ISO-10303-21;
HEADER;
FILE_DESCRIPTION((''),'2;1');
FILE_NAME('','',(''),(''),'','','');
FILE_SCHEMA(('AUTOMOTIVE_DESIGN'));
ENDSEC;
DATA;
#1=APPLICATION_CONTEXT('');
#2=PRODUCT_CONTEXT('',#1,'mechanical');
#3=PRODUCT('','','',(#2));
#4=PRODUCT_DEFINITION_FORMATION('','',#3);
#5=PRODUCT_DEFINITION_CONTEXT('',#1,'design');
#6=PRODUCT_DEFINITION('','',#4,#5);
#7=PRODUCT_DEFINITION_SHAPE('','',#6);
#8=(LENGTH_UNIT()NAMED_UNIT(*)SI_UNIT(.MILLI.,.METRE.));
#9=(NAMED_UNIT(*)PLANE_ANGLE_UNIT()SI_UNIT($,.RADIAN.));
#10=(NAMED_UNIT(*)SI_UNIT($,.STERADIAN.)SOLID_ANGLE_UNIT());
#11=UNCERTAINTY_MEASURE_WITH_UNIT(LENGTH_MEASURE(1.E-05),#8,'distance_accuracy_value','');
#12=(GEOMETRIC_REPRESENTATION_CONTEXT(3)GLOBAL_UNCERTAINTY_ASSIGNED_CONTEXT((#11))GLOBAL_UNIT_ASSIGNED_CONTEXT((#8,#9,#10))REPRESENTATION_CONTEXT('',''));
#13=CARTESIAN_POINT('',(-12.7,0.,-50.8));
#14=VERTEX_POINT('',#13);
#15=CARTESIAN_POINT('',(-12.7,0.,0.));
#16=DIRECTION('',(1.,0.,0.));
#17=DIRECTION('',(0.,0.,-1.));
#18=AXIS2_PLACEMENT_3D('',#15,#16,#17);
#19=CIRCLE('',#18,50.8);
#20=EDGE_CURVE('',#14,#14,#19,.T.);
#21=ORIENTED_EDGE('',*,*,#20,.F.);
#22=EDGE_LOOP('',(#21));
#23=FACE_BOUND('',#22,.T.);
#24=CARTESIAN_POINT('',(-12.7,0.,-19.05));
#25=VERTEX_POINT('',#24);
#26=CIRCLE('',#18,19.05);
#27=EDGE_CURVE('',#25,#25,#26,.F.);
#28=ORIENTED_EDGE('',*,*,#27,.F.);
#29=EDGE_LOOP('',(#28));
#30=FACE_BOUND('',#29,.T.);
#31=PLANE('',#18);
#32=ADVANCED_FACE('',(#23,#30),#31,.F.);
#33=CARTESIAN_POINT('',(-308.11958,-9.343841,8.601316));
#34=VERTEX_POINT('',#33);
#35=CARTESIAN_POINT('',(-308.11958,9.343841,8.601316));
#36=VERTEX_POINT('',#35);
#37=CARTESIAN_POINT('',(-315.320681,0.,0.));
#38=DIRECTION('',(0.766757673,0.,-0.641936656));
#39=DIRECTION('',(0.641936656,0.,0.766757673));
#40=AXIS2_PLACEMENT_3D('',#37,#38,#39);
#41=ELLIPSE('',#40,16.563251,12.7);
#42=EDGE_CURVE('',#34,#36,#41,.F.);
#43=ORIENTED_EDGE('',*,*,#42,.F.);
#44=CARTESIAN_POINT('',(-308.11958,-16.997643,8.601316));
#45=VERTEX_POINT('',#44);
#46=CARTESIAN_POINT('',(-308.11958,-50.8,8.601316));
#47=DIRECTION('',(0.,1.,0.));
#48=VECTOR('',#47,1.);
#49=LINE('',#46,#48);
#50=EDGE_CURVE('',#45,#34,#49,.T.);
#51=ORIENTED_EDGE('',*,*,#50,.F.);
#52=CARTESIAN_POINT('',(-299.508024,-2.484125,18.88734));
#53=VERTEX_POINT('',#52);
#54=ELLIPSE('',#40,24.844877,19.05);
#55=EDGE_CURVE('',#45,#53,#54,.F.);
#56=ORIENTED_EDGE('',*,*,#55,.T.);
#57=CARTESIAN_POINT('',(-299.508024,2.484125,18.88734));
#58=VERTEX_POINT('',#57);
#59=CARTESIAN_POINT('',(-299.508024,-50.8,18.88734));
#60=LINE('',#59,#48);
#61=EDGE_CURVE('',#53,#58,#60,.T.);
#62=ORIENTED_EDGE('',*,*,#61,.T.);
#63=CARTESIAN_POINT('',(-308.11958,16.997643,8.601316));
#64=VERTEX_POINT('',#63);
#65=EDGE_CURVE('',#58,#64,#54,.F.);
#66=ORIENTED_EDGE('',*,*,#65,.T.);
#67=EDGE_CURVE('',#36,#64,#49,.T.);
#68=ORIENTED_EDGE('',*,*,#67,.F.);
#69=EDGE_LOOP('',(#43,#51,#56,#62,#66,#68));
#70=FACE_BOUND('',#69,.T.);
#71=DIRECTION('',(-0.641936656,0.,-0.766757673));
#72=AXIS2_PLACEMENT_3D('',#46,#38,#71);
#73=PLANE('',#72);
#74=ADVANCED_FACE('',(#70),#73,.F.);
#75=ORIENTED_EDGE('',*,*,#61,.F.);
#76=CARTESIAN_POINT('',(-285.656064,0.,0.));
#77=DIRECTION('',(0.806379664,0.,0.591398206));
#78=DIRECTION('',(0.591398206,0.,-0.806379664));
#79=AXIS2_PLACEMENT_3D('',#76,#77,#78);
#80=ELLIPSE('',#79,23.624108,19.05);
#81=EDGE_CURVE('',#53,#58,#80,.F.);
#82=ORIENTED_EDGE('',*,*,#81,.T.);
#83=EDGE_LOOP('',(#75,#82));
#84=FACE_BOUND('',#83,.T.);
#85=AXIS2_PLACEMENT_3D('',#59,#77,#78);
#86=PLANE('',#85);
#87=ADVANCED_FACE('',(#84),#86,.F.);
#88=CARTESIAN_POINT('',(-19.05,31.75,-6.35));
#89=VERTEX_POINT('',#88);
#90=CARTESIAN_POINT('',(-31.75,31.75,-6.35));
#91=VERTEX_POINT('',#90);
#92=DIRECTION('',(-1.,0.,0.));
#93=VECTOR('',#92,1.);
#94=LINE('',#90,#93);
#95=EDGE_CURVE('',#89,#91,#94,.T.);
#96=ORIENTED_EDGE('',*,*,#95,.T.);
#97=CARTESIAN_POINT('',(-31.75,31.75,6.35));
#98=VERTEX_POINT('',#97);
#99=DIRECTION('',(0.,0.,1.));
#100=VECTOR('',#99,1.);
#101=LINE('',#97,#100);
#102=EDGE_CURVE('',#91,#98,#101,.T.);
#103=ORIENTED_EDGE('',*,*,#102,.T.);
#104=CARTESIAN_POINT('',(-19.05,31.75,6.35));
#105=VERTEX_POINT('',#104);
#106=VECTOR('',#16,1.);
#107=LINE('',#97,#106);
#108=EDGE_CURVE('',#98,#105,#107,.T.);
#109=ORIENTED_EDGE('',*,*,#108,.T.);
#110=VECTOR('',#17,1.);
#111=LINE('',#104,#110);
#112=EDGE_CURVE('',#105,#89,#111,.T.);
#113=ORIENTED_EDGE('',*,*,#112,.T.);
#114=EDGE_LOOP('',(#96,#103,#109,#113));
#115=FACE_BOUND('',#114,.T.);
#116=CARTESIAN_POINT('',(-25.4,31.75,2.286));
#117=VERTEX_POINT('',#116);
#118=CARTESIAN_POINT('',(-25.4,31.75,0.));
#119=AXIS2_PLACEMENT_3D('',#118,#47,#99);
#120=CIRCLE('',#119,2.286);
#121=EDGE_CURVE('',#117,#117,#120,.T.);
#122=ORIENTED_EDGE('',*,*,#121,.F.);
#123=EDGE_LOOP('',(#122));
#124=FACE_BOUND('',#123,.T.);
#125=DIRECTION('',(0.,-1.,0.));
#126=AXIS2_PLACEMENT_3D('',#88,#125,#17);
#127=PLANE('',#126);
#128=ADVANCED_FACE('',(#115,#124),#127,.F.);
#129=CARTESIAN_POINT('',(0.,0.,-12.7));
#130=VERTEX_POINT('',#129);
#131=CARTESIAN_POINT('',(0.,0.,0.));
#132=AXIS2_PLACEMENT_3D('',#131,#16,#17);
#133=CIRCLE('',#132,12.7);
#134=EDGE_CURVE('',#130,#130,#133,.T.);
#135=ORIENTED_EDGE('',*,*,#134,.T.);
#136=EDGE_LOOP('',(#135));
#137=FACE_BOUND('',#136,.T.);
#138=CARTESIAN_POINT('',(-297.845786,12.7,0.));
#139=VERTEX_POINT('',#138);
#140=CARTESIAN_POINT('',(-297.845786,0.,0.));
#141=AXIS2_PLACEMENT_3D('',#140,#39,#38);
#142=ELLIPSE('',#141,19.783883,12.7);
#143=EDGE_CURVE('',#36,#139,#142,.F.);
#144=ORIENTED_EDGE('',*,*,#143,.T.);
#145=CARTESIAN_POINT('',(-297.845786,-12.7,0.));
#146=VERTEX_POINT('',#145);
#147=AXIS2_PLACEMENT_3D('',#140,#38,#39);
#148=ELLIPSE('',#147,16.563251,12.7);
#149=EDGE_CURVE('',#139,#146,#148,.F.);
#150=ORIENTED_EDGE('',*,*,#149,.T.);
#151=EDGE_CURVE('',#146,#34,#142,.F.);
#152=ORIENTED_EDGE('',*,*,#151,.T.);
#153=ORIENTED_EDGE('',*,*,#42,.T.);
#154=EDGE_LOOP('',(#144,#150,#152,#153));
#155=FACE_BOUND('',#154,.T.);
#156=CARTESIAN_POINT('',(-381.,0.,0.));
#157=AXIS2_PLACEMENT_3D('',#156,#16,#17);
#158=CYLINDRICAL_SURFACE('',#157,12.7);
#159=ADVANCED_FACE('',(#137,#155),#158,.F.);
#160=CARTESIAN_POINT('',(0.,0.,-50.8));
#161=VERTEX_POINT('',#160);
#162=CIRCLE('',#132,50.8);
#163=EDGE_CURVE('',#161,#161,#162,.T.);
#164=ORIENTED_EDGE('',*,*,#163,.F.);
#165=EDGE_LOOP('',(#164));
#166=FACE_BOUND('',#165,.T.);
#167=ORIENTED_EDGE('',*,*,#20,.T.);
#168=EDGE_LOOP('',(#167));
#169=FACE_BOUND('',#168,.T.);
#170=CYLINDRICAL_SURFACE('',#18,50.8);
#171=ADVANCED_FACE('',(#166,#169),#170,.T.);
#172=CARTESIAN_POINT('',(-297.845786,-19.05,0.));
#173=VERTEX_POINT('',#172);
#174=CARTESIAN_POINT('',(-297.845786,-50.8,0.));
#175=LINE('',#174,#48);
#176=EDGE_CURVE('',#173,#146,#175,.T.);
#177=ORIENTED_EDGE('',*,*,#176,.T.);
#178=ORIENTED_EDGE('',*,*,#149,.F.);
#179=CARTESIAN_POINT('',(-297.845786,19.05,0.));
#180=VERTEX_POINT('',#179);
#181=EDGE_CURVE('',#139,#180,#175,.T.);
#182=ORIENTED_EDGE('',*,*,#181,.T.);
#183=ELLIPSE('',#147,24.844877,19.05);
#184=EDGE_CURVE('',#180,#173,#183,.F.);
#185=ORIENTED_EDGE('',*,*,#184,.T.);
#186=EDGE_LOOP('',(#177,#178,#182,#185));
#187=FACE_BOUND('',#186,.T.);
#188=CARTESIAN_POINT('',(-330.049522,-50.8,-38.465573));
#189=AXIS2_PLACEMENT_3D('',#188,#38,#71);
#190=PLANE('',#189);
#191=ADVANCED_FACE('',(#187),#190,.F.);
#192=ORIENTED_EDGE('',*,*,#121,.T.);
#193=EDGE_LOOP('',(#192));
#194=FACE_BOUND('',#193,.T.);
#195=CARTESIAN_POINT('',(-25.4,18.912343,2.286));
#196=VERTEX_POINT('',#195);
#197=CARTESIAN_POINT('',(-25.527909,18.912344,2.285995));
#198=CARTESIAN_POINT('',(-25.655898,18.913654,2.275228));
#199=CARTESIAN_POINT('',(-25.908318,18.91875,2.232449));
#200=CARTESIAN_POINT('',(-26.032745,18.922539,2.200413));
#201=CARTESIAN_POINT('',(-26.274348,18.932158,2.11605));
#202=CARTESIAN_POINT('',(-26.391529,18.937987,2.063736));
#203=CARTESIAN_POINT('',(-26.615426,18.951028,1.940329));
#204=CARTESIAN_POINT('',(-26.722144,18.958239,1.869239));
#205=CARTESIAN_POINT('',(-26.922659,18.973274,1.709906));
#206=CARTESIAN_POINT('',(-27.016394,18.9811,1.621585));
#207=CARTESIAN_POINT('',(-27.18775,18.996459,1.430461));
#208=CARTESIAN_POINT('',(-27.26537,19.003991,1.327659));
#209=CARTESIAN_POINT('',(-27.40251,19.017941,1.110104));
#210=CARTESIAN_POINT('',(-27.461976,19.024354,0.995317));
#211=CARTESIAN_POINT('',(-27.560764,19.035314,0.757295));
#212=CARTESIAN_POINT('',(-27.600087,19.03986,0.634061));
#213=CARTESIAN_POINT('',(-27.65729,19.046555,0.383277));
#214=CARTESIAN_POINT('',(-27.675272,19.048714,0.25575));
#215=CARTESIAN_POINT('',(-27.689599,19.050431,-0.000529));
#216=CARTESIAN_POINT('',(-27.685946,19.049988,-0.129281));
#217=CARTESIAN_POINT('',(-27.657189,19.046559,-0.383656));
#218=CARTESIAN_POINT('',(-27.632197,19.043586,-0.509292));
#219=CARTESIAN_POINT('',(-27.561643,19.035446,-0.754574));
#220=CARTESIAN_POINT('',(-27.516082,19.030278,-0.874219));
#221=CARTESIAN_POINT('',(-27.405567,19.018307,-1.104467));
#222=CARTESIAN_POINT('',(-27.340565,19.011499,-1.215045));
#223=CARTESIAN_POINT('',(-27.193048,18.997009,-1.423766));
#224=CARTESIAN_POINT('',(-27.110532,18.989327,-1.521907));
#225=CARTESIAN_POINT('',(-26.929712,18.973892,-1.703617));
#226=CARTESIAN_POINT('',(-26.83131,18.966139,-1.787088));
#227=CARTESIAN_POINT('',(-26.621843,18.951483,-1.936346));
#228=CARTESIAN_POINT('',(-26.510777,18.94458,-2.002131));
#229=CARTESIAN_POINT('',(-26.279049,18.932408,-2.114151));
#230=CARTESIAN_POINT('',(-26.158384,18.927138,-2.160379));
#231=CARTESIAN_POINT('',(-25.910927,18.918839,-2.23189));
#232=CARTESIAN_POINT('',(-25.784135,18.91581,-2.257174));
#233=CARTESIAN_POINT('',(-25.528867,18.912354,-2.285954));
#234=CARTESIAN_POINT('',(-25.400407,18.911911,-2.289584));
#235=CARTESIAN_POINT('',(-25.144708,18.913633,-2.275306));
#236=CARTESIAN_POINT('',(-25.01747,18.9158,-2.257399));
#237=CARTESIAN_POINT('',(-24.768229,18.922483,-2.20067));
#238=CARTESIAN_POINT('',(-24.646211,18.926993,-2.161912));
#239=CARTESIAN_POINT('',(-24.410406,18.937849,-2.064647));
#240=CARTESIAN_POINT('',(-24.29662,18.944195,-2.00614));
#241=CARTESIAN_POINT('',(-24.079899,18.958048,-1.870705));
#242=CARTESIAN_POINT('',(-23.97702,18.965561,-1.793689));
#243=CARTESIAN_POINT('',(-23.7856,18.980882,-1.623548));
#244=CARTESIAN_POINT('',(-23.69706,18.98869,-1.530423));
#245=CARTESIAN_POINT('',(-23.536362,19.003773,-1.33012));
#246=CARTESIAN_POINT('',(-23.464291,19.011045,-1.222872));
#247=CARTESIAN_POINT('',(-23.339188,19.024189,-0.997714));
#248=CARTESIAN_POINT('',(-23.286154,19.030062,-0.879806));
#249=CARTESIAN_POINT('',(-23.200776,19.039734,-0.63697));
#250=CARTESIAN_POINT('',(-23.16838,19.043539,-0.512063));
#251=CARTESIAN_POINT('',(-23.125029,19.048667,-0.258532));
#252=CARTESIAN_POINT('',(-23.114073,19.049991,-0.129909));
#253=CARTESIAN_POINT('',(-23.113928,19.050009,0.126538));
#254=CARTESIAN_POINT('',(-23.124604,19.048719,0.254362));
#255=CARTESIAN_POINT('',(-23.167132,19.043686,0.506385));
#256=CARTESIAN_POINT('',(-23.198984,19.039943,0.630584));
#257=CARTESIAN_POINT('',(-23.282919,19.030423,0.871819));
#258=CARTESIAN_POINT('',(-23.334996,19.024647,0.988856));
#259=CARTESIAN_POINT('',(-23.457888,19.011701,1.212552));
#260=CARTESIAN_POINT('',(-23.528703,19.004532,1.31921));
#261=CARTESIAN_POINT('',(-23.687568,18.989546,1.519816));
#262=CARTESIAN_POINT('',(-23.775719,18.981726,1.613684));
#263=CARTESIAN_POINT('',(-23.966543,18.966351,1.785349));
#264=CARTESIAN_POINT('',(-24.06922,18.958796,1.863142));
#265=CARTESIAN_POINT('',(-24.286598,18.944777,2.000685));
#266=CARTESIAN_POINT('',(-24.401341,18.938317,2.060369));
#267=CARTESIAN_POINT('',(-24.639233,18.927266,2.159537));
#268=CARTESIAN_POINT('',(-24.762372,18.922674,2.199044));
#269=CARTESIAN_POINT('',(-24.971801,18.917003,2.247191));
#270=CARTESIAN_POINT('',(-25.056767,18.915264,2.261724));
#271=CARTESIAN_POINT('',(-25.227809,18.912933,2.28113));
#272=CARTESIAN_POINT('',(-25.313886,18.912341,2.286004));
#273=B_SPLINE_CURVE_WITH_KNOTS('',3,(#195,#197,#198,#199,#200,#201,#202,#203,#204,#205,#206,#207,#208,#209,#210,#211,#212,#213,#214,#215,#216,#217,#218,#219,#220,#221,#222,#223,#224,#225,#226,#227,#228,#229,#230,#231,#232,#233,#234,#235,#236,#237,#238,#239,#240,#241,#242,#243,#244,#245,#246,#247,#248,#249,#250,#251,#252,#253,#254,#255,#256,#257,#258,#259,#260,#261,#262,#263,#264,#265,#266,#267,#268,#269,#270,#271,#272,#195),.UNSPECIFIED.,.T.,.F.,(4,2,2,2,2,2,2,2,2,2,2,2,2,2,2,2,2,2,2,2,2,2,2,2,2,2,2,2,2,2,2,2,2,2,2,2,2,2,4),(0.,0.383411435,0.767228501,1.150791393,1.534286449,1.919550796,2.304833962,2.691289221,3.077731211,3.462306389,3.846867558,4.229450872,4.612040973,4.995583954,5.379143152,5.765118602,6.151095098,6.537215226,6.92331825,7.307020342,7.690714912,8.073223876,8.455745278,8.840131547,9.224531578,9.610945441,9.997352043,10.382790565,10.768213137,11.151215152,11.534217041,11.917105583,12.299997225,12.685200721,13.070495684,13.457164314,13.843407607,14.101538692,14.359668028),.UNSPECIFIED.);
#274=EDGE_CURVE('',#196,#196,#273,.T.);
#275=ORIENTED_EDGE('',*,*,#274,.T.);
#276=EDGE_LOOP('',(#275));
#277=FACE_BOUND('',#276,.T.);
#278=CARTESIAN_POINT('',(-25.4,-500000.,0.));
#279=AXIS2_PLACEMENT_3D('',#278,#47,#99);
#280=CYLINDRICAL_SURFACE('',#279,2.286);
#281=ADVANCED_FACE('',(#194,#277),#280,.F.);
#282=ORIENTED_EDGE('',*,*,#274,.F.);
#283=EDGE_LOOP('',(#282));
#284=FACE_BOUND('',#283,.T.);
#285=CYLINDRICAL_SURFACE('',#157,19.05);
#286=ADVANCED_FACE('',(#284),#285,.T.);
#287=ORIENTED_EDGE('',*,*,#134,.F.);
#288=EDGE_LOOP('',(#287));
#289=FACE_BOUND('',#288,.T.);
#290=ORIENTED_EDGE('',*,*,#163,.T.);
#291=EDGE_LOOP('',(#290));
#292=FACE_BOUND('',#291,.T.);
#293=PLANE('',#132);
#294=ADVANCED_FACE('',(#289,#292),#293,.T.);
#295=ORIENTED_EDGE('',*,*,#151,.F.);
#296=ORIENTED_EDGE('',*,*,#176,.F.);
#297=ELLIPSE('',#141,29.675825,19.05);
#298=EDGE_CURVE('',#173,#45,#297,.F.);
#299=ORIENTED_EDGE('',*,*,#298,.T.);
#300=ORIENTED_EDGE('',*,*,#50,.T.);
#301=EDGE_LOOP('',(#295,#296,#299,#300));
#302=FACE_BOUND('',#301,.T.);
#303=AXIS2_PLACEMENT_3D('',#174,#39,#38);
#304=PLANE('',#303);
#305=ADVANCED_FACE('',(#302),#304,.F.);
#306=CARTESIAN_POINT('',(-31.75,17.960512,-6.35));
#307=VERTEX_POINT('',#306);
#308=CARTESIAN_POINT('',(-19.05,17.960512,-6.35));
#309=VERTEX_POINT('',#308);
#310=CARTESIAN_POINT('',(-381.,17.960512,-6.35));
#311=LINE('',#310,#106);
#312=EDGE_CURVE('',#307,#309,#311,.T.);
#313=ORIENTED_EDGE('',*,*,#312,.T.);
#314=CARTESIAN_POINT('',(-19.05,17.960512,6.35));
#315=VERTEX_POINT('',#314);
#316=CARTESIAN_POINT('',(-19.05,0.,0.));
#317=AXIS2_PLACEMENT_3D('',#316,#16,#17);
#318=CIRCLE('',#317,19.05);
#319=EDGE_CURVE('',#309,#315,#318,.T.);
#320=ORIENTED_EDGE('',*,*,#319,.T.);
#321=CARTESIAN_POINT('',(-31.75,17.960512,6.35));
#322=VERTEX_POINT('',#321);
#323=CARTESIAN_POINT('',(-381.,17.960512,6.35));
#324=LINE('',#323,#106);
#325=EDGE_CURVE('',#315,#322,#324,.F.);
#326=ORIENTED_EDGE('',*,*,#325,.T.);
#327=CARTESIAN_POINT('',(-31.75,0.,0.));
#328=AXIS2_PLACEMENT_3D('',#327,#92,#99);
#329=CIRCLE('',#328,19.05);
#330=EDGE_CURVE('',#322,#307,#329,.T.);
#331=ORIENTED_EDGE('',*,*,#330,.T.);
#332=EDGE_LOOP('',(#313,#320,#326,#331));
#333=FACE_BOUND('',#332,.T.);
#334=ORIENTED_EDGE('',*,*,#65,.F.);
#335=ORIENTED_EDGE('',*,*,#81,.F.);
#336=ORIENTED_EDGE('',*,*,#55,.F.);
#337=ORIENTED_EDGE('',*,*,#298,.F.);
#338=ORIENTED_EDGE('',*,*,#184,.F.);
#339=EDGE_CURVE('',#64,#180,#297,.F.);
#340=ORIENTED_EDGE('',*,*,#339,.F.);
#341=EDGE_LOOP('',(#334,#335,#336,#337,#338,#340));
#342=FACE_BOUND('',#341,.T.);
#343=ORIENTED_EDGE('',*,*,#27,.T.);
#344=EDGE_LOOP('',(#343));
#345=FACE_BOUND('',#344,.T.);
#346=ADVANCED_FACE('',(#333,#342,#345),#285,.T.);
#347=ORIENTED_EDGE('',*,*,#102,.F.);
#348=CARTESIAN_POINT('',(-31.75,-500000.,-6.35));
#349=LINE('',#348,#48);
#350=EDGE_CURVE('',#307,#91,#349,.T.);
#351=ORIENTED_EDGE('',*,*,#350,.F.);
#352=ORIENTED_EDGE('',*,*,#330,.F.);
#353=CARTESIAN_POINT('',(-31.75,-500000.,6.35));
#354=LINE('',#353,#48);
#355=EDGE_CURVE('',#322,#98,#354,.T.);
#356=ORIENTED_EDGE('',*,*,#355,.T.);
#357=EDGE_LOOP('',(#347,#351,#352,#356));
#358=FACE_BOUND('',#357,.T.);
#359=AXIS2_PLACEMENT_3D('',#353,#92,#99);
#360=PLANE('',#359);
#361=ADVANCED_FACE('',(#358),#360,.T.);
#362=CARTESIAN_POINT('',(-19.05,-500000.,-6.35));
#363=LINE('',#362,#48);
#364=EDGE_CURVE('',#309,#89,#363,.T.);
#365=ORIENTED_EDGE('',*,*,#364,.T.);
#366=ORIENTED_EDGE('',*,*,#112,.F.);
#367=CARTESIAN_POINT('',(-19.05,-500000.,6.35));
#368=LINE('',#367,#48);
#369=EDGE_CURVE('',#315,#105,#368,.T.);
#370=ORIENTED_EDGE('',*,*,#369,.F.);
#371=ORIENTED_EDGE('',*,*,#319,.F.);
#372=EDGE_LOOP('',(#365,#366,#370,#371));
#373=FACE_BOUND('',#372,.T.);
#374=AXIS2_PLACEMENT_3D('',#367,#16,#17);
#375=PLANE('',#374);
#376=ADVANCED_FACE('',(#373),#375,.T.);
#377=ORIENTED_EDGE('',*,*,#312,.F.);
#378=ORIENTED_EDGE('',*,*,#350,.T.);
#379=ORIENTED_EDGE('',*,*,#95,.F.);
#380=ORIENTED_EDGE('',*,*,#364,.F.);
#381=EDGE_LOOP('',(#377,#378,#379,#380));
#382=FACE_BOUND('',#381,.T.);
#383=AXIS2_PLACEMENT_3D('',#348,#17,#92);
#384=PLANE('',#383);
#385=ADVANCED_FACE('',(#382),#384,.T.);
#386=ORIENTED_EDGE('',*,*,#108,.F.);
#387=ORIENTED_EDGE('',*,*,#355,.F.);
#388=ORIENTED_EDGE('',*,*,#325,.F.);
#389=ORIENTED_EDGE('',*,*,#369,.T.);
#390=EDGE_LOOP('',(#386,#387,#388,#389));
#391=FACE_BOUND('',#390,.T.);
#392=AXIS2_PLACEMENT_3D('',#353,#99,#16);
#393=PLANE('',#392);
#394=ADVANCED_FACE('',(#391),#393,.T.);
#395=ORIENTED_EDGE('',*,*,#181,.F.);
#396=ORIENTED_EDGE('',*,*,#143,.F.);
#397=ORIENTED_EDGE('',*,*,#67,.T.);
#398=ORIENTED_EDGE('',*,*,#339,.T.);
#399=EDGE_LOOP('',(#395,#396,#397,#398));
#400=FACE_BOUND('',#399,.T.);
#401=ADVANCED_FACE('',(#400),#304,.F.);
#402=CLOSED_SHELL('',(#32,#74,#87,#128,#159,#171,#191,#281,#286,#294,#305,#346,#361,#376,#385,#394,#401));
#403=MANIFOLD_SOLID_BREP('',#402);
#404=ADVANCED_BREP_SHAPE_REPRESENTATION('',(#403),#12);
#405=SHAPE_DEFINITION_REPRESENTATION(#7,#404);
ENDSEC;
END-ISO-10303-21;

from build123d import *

# Parameters (mm, degrees)
SKETCH1_R                = 19.05
SKETCH1_R_2              = 12.7
BOSS_EXTRUDE1_DEPTH      = 381
SKETCH2_R                = 50.8
SKETCH2_R_2              = 12.7
BOSS_EXTRUDE2_DEPTH      = 12.7
CUT_EXTRUDE1_DEPTH       = 388.714173071
CUT_EXTRUDE1_DEPTH_BACK  = 388.714173071
BOSS_EXTRUDE3_REACH      = 355.664
BOSS_EXTRUDE3_END_RADIUS = 19.05
BOSS_EXTRUDE3_START      = 31.75
SKETCH4_W                = 12.7
SKETCH4_H                = 12.7
SKETCH4_R                = 2.286


with BuildPart() as part:
    # Sketch1 → Boss-Extrude1 (new body)
    with BuildSketch(Plane(origin=(0, 0, 0), x_dir=(0, 0, -1), z_dir=(1, 0, 0))):
        Circle(SKETCH1_R)
        Circle(SKETCH1_R_2, mode=Mode.SUBTRACT)
    extrude(amount=-BOSS_EXTRUDE1_DEPTH)

    # Sketch2 → Boss-Extrude2 (add)
    with BuildSketch(Plane(origin=(0, 0, 0), x_dir=(0, 0, -1), z_dir=(1, 0, 0))):
        Circle(SKETCH2_R)
        Circle(SKETCH2_R_2, mode=Mode.SUBTRACT)
    extrude(amount=-BOSS_EXTRUDE2_DEPTH)

    # Sketch3 → Cut-Extrude1 (cut, two sides: drawn at the far end of the back side and taken through both)
    with BuildSketch(Plane(origin=(0, 0, 0), x_dir=(1, 0, 0), z_dir=(0, 1, 0)).offset(-CUT_EXTRUDE1_DEPTH_BACK)):
        Polygon((-330.049521684, 38.465573285), (-297.845785911, 0), (-308.119579729, -8.601315755), (-299.508024312, -18.88734028), (-330.049521684, -60.531095944), (-403.402475389, -60.531095944), (-403.402475389, 38.465573285), align=None)
    extrude(amount=CUT_EXTRUDE1_DEPTH + CUT_EXTRUDE1_DEPTH_BACK, mode=Mode.SUBTRACT)

    # Boss-Extrude3: up to this cylinder (the profile starts outside it)
    boss_extrude3_end = Plane(origin=(-25.4, 0, 0), z_dir=(1, 0, 0)) * Cylinder(BOSS_EXTRUDE3_END_RADIUS, 750.428, mode=Mode.PRIVATE)
    # Sketch4 → Boss-Extrude3 (add, up to the surface)
    with BuildSketch(Plane(origin=(0, 0, 0), x_dir=(1, 0, 0), z_dir=(0, 1, 0)).offset(BOSS_EXTRUDE3_START), mode=Mode.PRIVATE) as boss_extrude3_sk1:
        with Locations((-25.4, 0)):
            Rectangle(SKETCH4_W, SKETCH4_H)
        with Locations(Location((-25.4, 0, 0), (0, 0, 270))):
            Circle(SKETCH4_R, mode=Mode.SUBTRACT)
    boss_extrude3_tool1 = extrude(boss_extrude3_sk1.sketch, amount=-BOSS_EXTRUDE3_REACH, mode=Mode.PRIVATE) - boss_extrude3_end
    add(boss_extrude3_tool1.solids().sort_by_distance((-25.4, 31.75, 6.170395))[0])


solid = part.part
